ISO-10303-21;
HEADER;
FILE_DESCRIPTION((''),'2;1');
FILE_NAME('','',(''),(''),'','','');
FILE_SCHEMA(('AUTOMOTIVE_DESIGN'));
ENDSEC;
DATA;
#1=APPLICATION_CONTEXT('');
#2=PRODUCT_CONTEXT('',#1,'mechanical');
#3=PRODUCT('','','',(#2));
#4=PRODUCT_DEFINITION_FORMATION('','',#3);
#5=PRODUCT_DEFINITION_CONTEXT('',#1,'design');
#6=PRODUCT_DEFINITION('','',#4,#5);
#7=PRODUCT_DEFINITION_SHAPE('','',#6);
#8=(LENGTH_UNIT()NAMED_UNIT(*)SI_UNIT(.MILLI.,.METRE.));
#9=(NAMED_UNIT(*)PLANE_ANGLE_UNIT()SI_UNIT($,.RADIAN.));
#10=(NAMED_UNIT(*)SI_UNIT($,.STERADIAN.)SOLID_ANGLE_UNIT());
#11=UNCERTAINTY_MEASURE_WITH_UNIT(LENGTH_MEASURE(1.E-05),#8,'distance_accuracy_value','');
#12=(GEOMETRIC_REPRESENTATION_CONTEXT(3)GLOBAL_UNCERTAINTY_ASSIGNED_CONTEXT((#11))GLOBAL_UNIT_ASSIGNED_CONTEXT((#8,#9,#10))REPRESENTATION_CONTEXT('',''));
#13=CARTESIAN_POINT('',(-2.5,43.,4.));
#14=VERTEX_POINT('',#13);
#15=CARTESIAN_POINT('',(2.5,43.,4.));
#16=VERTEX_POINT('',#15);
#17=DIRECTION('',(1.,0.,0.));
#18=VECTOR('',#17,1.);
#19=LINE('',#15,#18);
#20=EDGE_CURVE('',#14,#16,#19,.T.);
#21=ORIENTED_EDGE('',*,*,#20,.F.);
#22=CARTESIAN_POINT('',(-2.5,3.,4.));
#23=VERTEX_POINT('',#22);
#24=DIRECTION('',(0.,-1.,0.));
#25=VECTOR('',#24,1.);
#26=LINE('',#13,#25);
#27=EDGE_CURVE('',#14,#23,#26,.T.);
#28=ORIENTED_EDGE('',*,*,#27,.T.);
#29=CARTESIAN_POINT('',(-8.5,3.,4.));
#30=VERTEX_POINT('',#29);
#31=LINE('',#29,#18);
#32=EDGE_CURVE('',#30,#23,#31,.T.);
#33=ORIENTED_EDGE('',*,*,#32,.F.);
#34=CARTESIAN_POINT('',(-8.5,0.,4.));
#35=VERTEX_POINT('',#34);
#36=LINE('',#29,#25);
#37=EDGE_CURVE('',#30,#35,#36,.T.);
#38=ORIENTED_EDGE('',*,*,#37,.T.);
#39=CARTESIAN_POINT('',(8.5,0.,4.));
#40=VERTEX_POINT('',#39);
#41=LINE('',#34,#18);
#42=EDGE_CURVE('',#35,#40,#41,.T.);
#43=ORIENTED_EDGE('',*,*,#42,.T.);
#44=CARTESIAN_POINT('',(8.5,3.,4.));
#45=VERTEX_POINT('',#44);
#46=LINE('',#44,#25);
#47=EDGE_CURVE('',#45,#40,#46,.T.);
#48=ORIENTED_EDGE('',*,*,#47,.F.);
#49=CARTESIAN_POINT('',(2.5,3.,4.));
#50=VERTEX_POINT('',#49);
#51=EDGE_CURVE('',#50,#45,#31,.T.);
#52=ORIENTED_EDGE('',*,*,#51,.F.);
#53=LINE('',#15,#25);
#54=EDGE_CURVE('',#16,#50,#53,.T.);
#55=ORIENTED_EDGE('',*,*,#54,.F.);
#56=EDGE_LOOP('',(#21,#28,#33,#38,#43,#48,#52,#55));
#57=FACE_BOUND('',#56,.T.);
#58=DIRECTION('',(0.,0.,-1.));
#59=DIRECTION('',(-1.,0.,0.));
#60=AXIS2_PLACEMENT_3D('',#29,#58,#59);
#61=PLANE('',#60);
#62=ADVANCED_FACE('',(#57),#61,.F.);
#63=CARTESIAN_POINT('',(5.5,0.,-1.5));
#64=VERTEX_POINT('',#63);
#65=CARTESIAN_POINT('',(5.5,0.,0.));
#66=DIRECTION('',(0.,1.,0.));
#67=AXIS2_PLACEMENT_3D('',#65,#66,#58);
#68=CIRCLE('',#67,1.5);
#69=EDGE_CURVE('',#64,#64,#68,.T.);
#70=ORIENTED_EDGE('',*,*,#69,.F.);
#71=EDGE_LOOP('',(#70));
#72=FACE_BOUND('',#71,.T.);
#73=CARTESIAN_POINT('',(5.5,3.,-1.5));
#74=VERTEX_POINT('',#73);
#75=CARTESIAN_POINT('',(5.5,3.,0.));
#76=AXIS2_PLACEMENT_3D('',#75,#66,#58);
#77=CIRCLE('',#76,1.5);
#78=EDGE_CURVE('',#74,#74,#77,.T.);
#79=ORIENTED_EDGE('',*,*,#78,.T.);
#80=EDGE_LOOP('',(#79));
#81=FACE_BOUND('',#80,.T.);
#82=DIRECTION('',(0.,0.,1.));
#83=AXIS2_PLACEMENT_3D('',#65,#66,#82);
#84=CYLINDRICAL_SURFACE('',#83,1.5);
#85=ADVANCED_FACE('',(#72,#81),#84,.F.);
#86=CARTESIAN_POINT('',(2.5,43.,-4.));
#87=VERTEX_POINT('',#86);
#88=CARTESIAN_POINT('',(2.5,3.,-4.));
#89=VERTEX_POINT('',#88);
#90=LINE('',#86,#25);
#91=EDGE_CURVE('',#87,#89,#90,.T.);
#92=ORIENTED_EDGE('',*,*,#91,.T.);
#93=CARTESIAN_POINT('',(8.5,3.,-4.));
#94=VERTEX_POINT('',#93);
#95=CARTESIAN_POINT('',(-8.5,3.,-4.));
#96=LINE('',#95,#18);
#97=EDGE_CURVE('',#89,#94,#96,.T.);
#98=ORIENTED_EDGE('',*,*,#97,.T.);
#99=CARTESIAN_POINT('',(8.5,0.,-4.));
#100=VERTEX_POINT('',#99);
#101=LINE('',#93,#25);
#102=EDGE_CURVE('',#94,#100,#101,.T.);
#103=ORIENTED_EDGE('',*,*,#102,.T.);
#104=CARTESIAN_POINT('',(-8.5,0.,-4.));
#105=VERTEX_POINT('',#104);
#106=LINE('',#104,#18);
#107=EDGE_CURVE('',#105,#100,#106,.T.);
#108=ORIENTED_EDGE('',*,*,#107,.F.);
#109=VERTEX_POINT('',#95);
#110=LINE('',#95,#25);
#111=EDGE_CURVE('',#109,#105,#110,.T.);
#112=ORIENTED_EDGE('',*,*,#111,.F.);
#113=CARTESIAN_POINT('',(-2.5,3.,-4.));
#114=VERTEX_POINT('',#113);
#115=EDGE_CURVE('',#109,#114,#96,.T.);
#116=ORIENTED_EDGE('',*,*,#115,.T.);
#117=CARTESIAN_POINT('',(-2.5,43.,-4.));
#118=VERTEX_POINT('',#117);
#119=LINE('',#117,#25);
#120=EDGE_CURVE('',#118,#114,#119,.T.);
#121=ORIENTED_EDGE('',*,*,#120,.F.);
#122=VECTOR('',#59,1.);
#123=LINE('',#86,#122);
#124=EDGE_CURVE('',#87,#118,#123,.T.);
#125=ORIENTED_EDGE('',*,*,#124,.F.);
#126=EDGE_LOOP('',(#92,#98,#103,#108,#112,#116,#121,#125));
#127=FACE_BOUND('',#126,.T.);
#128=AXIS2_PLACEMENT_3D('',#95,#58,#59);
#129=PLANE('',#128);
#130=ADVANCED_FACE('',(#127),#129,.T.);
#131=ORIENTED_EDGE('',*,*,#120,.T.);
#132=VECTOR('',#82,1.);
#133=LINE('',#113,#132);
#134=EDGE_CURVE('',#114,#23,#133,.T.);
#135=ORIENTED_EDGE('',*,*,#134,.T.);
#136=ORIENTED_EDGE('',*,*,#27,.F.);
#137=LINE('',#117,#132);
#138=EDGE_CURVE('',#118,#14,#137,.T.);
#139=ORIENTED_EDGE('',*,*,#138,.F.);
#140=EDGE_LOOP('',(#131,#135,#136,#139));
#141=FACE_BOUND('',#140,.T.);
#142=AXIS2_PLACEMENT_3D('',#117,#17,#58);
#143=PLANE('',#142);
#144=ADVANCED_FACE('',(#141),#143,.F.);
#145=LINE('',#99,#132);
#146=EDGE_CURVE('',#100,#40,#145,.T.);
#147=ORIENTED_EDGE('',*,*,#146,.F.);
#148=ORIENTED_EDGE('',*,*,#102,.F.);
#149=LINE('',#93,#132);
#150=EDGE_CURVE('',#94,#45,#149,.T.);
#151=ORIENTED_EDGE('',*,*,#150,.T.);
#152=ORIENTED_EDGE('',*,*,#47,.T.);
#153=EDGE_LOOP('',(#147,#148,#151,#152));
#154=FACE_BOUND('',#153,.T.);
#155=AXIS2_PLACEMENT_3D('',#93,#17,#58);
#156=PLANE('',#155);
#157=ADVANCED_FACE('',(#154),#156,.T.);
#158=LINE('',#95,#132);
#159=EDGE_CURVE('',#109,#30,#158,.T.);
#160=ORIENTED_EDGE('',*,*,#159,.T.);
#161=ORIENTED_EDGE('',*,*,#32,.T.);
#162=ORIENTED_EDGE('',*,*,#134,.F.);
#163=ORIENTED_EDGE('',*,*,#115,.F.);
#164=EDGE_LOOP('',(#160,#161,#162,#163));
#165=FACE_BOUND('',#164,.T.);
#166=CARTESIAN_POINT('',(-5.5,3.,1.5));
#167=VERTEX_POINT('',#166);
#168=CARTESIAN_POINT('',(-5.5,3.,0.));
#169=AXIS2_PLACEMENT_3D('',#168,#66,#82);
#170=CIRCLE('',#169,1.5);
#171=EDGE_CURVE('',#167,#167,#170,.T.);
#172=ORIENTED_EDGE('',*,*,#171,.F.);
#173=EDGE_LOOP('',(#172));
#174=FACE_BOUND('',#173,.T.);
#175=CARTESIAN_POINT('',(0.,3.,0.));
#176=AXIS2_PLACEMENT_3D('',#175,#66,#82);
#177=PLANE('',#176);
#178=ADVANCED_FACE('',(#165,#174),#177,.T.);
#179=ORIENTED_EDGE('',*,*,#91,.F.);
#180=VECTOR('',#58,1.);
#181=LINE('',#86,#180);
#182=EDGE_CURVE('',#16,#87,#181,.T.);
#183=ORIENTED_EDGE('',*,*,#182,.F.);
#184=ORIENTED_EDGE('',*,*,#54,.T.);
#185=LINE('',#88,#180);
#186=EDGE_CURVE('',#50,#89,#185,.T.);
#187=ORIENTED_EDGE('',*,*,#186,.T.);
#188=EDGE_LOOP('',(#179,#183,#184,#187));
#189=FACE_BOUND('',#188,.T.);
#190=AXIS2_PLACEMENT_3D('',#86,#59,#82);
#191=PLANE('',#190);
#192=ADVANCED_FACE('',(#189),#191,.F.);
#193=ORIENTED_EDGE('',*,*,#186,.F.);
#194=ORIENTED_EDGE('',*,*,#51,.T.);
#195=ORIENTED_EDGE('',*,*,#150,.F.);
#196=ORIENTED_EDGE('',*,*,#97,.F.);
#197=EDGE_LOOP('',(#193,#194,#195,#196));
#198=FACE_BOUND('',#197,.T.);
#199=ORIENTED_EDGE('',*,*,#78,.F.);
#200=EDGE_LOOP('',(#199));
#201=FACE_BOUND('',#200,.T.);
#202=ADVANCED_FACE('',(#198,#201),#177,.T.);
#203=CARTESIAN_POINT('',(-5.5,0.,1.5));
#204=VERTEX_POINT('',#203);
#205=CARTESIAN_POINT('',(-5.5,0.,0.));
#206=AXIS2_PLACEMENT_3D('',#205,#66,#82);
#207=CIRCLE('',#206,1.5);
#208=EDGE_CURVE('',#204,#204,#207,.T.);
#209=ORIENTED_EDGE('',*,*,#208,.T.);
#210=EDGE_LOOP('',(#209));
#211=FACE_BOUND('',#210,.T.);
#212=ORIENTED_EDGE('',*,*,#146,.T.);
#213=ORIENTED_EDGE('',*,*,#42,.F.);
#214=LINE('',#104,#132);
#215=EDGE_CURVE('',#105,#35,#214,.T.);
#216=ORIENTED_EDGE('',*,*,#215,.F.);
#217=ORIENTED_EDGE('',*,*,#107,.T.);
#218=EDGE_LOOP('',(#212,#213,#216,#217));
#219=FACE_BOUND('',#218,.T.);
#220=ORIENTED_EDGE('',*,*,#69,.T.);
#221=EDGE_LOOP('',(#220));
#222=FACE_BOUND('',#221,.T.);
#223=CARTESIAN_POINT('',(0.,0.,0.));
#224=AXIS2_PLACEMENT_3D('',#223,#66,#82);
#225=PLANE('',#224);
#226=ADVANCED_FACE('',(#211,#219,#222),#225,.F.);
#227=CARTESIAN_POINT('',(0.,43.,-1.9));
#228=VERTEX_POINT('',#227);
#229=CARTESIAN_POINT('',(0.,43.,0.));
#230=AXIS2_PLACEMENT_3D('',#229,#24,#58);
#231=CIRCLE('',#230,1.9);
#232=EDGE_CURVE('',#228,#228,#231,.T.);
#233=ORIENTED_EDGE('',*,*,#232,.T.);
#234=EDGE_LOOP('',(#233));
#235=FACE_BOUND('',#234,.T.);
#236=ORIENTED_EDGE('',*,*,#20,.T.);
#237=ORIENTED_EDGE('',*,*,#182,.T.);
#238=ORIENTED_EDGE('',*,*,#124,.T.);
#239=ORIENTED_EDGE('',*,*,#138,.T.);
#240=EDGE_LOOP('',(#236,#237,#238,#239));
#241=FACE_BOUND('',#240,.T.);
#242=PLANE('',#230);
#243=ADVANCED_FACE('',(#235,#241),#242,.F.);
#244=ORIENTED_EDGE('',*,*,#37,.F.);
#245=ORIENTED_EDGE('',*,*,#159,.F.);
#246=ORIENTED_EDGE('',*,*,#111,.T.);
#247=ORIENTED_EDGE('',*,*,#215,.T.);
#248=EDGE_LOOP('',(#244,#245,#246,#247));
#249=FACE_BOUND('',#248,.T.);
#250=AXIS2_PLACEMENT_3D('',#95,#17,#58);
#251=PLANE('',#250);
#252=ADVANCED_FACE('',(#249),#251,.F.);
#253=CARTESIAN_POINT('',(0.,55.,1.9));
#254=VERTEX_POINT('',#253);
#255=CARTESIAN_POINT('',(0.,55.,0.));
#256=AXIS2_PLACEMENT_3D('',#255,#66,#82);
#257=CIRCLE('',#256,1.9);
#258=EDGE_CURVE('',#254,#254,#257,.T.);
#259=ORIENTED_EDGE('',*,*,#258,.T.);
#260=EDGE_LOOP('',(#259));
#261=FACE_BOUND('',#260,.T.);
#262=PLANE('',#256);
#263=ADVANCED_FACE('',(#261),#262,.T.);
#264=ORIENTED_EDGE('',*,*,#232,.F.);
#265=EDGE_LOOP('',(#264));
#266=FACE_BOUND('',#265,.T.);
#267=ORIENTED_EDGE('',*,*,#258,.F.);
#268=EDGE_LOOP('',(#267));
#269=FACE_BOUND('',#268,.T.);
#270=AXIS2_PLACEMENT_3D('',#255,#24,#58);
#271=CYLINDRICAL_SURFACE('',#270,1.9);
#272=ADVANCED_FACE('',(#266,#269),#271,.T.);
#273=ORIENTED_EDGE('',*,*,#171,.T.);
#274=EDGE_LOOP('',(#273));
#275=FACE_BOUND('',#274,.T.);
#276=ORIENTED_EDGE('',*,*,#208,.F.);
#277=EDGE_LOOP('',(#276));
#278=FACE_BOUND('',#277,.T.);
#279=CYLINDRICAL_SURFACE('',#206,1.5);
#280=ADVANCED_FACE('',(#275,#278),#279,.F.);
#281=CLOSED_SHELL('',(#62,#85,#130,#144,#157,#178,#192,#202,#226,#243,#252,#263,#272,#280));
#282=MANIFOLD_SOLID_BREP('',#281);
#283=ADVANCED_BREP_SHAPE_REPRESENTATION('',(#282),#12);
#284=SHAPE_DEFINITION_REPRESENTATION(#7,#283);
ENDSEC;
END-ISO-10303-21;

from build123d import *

# Parameters (mm, degrees)
SKETCH1_R           = 1.9
BOSS_EXTRUDE1_DEPTH = 55
SKETCH2_W           = 17
SKETCH2_H           = 8
BOSS_EXTRUDE2_DEPTH = 3
SKETCH3_R           = 1.5
CUT_EXTRUDE1_DEPTH  = 53.841744861
SKETCH4_W           = 5
SKETCH4_H           = 8
BOSS_EXTRUDE3_DEPTH = 40


with BuildPart() as part:
    # Sketch1 → Boss-Extrude1 (new body)
    with BuildSketch(Plane(origin=(0, 0, 0), x_dir=(1, 0, 0), z_dir=(0, 1, 0))):
        with Locations(Location((0, 0, 0), (0, 0, 270))):
            Circle(SKETCH1_R)
    extrude(amount=BOSS_EXTRUDE1_DEPTH)

    # Sketch2 → Boss-Extrude2 (add)
    with BuildSketch(Plane.XZ):
        Rectangle(SKETCH2_W, SKETCH2_H)
    extrude(amount=-BOSS_EXTRUDE2_DEPTH)

    # Sketch3 → Cut-Extrude1 (cut, through all)
    with BuildSketch(Plane(origin=(0, 3, 0), x_dir=(1, 0, 0), z_dir=(0, 1, 0))):
        with Locations(Location((-5.5, 0, 0), (0, 0, 270))):
            Circle(SKETCH3_R)
        with Locations(Location((5.5, 0, 0), (0, 0, 90))):
            Circle(SKETCH3_R)
    extrude(amount=-CUT_EXTRUDE1_DEPTH, mode=Mode.SUBTRACT)

    # Sketch4 → Boss-Extrude3 (add)
    with BuildSketch(Plane(origin=(0, 3, 0), x_dir=(1, 0, 0), z_dir=(0, 1, 0))):
        Rectangle(SKETCH4_W, SKETCH4_H)
    extrude(amount=BOSS_EXTRUDE3_DEPTH)


solid = part.part
